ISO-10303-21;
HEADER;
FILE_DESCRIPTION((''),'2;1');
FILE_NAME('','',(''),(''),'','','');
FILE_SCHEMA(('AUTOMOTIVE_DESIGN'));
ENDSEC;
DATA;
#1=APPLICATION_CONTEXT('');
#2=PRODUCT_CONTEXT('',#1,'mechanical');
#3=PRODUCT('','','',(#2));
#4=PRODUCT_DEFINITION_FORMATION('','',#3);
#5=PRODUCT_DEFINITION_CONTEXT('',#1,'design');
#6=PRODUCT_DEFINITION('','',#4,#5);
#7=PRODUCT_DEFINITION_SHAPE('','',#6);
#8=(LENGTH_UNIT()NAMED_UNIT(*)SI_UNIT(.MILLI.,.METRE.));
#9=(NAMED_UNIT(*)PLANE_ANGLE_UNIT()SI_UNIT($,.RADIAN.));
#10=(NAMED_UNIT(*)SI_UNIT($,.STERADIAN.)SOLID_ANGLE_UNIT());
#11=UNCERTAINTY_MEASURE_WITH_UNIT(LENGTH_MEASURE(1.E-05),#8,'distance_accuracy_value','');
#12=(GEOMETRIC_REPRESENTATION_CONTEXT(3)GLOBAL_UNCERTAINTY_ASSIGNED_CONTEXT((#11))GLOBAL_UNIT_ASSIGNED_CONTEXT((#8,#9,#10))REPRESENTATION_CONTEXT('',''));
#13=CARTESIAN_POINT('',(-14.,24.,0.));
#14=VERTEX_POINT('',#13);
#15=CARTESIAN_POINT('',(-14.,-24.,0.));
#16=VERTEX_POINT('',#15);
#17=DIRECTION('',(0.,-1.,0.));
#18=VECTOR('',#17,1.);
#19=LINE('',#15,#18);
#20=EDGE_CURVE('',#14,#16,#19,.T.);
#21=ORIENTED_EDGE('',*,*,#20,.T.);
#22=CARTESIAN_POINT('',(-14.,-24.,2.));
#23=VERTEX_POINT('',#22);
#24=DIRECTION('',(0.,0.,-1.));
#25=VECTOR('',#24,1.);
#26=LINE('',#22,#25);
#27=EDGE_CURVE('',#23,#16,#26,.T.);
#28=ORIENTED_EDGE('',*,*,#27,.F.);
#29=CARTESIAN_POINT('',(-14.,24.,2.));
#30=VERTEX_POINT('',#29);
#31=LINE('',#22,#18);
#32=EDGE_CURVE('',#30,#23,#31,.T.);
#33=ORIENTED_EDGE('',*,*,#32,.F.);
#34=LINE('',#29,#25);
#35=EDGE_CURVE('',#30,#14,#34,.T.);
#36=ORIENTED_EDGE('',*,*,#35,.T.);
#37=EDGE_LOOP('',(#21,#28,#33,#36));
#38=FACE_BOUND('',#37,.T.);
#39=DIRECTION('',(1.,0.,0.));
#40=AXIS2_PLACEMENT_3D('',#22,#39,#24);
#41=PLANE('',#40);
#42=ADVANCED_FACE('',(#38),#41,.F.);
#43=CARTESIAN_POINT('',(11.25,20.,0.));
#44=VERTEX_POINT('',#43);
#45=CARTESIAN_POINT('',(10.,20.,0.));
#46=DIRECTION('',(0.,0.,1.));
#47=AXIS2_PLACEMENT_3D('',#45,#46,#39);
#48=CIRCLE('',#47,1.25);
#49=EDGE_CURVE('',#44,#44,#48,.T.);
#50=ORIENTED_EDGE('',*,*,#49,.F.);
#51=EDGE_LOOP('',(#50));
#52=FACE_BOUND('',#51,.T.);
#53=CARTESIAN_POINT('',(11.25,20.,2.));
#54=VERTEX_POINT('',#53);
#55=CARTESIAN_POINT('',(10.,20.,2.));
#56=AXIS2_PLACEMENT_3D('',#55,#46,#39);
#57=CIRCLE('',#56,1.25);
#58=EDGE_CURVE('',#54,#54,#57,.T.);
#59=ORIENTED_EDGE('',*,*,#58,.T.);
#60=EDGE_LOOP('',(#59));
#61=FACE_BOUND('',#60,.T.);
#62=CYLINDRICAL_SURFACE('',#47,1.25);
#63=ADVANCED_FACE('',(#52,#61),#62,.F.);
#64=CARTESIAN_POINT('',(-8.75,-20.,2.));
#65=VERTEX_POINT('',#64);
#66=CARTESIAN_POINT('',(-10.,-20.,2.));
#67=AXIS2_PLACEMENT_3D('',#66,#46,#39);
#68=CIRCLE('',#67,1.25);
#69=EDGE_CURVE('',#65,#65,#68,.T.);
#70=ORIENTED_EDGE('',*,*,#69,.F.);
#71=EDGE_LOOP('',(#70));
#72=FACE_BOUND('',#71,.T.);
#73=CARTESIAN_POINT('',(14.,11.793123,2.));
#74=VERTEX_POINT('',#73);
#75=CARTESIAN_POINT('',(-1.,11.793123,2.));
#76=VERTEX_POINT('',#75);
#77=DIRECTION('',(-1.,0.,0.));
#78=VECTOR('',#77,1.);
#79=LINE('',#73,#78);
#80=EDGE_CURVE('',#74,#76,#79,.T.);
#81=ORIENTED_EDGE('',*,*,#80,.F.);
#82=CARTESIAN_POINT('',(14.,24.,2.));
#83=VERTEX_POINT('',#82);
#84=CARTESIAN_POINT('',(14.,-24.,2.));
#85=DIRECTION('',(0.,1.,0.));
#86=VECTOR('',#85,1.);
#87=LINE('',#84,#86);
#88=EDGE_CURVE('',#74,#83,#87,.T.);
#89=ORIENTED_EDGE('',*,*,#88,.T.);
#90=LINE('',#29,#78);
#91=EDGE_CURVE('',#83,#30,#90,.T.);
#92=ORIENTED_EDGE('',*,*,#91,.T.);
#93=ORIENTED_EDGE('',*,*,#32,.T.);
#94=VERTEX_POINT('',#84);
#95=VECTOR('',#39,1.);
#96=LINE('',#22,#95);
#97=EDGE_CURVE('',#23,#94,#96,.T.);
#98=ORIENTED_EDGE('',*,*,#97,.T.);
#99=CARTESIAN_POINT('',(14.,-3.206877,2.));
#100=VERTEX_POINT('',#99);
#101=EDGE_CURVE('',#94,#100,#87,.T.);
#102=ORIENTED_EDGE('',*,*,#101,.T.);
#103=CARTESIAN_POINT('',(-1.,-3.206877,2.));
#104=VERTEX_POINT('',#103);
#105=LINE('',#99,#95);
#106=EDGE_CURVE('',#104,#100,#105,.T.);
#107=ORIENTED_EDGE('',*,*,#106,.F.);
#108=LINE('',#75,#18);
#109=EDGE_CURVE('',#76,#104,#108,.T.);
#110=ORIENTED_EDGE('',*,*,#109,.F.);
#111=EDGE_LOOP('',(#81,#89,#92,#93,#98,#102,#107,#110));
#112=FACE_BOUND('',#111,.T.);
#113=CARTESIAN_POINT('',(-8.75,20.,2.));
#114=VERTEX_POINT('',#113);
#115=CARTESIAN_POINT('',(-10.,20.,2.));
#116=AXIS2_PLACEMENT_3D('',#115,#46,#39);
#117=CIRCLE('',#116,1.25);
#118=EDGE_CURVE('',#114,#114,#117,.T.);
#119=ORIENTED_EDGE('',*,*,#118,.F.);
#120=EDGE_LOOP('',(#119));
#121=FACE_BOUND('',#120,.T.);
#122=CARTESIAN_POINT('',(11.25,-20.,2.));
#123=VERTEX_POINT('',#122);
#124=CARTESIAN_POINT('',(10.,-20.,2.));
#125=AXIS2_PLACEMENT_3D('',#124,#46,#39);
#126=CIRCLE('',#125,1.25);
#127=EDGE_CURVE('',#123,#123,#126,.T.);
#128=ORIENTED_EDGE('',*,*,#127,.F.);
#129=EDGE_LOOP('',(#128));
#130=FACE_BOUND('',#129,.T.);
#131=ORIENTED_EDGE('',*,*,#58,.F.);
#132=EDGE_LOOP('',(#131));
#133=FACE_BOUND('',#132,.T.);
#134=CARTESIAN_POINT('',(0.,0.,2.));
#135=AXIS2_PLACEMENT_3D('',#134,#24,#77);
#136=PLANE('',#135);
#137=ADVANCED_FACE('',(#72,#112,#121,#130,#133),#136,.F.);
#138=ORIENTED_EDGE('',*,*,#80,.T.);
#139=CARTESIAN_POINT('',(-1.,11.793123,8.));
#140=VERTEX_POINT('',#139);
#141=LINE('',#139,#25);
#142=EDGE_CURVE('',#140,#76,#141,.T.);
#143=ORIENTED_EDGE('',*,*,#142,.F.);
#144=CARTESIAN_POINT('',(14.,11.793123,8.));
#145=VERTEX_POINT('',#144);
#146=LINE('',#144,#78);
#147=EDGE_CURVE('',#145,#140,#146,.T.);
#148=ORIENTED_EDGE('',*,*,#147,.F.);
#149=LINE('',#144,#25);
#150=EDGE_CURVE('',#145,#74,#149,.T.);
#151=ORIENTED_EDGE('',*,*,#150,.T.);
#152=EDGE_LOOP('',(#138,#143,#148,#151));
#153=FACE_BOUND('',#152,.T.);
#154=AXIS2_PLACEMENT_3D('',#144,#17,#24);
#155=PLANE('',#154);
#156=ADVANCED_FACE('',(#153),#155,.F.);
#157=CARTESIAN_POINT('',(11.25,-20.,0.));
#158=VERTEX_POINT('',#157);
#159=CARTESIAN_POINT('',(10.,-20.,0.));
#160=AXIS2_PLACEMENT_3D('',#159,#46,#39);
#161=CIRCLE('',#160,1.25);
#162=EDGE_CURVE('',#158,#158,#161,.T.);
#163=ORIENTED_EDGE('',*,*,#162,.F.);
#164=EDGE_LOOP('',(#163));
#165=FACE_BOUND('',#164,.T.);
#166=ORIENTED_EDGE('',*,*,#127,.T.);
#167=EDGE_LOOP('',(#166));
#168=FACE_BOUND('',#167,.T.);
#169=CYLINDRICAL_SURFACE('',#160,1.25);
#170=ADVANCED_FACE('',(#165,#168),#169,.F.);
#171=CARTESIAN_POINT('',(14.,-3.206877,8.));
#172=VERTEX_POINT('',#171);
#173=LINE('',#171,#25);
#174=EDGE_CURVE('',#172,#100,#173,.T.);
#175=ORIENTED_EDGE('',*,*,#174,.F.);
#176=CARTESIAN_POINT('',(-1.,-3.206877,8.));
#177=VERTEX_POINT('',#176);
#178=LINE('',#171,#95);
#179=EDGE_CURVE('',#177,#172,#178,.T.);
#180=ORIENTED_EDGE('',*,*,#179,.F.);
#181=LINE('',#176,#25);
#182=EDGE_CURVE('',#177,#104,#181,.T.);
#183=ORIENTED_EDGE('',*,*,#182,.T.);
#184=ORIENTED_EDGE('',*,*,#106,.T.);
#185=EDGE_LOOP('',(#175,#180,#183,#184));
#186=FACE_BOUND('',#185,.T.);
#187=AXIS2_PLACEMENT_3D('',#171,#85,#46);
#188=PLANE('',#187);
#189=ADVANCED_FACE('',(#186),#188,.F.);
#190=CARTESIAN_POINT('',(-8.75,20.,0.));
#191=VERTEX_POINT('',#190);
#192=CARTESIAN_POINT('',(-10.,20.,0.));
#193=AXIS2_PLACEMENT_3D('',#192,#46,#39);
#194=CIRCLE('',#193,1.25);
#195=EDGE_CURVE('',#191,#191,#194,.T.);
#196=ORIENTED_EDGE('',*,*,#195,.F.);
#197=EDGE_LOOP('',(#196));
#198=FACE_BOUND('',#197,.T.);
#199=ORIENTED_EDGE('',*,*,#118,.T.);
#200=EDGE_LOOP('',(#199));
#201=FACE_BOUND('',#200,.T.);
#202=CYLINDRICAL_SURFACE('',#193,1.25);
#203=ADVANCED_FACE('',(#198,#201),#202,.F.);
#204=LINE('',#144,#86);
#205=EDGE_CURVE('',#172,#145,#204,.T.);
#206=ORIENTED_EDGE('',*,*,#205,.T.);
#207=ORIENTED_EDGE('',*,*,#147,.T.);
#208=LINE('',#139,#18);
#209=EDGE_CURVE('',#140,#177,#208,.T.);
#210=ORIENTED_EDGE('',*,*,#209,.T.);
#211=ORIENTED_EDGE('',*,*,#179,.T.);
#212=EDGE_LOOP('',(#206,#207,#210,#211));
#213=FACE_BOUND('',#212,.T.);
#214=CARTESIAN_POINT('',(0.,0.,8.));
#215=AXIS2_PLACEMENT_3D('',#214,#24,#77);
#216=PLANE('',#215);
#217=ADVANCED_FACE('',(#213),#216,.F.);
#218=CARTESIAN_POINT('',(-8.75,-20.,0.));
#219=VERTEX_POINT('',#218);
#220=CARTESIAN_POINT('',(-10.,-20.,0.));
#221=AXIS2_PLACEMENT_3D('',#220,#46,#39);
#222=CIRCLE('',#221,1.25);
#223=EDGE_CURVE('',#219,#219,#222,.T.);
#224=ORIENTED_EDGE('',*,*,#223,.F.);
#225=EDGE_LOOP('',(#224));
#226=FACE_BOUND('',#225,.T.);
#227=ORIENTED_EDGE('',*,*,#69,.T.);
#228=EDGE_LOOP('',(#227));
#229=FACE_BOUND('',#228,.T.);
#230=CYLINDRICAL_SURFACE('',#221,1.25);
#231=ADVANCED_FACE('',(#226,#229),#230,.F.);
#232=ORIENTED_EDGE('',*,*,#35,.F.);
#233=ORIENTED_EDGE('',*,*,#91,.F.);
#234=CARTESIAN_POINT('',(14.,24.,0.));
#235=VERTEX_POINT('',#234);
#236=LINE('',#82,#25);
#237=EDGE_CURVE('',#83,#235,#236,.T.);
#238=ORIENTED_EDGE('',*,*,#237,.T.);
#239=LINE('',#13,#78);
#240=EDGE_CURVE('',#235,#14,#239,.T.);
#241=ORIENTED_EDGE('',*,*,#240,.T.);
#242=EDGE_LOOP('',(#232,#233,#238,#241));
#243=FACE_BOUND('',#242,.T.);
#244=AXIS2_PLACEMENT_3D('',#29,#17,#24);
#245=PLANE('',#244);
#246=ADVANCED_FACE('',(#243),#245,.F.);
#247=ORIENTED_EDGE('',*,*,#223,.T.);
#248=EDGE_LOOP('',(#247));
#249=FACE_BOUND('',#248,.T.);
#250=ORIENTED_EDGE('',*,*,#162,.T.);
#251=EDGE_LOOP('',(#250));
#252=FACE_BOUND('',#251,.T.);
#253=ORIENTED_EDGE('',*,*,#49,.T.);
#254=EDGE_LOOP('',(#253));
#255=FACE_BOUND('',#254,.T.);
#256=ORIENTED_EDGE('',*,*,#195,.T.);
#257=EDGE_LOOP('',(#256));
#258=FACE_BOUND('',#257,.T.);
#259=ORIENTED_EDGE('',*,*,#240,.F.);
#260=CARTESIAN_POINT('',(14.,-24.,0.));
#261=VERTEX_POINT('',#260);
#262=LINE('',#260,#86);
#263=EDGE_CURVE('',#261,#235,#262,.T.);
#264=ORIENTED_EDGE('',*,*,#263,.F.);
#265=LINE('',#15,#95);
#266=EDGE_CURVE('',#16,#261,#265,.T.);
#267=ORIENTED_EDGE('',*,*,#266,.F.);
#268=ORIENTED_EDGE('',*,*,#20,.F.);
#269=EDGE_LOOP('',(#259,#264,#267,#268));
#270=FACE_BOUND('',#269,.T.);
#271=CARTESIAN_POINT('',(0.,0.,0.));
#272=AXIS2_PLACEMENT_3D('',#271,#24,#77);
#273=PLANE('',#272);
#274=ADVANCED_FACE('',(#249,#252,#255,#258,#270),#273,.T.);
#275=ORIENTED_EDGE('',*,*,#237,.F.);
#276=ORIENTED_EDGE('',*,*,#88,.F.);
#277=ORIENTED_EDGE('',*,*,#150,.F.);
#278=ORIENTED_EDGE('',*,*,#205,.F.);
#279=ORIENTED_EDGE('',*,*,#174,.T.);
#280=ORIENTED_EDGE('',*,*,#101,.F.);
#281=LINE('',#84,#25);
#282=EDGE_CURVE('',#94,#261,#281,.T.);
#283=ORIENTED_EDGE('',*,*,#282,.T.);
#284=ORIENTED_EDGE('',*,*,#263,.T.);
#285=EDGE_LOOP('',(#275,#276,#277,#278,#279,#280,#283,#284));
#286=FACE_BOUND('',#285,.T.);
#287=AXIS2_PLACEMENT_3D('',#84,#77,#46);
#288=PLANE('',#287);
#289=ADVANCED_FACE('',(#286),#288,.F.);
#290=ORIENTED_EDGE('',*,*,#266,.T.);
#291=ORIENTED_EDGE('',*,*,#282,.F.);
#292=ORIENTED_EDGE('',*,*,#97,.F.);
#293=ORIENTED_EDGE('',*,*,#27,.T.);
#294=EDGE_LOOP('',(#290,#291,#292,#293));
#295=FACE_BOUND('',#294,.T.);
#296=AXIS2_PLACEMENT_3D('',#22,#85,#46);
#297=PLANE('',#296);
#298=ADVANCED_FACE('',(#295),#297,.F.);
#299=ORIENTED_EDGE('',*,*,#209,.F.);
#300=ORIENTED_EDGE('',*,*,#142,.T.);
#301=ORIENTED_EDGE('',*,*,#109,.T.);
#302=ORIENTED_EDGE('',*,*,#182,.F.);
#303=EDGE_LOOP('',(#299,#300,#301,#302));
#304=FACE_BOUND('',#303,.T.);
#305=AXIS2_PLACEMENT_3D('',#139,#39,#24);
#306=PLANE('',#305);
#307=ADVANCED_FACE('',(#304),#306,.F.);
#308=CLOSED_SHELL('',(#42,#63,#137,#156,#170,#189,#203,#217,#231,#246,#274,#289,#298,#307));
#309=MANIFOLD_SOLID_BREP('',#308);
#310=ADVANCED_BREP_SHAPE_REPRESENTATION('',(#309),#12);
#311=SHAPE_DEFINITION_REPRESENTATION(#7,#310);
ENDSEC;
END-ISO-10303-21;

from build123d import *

# Parameters (mm, degrees)
CROQUIS1_W              = 28
CROQUIS1_H              = 48
SALIENTE_EXTRUIR1_DEPTH = 2
CROQUIS2_R              = 1.25
CORTAR_EXTRUIR1_DEPTH   = 3
CROQUIS3_W              = 15
CROQUIS3_H              = 15
SALIENTE_EXTRUIR2_DEPTH = 6


with BuildPart() as part:
    # Croquis1 → Saliente-Extruir1 (new body)
    with BuildSketch(Plane.XY):
        Rectangle(CROQUIS1_W, CROQUIS1_H)
    extrude(amount=SALIENTE_EXTRUIR1_DEPTH)

    # Croquis2 → Cortar-Extruir1 (cut, through all)
    with BuildSketch(Plane.XY.offset(2)):
        with Locations((-10, 20)):
            Circle(CROQUIS2_R)
        with Locations((10, 20)):
            Circle(CROQUIS2_R)
        with Locations((10, -20)):
            Circle(CROQUIS2_R)
        with Locations((-10, -20)):
            Circle(CROQUIS2_R)
    extrude(amount=-CORTAR_EXTRUIR1_DEPTH, mode=Mode.SUBTRACT)

    # Croquis3 → Saliente-Extruir2 (add)
    with BuildSketch(Plane.XY.offset(2)):
        with Locations((6.5, 4.293122568)):
            Rectangle(CROQUIS3_W, CROQUIS3_H)
    extrude(amount=SALIENTE_EXTRUIR2_DEPTH)


solid = part.part
